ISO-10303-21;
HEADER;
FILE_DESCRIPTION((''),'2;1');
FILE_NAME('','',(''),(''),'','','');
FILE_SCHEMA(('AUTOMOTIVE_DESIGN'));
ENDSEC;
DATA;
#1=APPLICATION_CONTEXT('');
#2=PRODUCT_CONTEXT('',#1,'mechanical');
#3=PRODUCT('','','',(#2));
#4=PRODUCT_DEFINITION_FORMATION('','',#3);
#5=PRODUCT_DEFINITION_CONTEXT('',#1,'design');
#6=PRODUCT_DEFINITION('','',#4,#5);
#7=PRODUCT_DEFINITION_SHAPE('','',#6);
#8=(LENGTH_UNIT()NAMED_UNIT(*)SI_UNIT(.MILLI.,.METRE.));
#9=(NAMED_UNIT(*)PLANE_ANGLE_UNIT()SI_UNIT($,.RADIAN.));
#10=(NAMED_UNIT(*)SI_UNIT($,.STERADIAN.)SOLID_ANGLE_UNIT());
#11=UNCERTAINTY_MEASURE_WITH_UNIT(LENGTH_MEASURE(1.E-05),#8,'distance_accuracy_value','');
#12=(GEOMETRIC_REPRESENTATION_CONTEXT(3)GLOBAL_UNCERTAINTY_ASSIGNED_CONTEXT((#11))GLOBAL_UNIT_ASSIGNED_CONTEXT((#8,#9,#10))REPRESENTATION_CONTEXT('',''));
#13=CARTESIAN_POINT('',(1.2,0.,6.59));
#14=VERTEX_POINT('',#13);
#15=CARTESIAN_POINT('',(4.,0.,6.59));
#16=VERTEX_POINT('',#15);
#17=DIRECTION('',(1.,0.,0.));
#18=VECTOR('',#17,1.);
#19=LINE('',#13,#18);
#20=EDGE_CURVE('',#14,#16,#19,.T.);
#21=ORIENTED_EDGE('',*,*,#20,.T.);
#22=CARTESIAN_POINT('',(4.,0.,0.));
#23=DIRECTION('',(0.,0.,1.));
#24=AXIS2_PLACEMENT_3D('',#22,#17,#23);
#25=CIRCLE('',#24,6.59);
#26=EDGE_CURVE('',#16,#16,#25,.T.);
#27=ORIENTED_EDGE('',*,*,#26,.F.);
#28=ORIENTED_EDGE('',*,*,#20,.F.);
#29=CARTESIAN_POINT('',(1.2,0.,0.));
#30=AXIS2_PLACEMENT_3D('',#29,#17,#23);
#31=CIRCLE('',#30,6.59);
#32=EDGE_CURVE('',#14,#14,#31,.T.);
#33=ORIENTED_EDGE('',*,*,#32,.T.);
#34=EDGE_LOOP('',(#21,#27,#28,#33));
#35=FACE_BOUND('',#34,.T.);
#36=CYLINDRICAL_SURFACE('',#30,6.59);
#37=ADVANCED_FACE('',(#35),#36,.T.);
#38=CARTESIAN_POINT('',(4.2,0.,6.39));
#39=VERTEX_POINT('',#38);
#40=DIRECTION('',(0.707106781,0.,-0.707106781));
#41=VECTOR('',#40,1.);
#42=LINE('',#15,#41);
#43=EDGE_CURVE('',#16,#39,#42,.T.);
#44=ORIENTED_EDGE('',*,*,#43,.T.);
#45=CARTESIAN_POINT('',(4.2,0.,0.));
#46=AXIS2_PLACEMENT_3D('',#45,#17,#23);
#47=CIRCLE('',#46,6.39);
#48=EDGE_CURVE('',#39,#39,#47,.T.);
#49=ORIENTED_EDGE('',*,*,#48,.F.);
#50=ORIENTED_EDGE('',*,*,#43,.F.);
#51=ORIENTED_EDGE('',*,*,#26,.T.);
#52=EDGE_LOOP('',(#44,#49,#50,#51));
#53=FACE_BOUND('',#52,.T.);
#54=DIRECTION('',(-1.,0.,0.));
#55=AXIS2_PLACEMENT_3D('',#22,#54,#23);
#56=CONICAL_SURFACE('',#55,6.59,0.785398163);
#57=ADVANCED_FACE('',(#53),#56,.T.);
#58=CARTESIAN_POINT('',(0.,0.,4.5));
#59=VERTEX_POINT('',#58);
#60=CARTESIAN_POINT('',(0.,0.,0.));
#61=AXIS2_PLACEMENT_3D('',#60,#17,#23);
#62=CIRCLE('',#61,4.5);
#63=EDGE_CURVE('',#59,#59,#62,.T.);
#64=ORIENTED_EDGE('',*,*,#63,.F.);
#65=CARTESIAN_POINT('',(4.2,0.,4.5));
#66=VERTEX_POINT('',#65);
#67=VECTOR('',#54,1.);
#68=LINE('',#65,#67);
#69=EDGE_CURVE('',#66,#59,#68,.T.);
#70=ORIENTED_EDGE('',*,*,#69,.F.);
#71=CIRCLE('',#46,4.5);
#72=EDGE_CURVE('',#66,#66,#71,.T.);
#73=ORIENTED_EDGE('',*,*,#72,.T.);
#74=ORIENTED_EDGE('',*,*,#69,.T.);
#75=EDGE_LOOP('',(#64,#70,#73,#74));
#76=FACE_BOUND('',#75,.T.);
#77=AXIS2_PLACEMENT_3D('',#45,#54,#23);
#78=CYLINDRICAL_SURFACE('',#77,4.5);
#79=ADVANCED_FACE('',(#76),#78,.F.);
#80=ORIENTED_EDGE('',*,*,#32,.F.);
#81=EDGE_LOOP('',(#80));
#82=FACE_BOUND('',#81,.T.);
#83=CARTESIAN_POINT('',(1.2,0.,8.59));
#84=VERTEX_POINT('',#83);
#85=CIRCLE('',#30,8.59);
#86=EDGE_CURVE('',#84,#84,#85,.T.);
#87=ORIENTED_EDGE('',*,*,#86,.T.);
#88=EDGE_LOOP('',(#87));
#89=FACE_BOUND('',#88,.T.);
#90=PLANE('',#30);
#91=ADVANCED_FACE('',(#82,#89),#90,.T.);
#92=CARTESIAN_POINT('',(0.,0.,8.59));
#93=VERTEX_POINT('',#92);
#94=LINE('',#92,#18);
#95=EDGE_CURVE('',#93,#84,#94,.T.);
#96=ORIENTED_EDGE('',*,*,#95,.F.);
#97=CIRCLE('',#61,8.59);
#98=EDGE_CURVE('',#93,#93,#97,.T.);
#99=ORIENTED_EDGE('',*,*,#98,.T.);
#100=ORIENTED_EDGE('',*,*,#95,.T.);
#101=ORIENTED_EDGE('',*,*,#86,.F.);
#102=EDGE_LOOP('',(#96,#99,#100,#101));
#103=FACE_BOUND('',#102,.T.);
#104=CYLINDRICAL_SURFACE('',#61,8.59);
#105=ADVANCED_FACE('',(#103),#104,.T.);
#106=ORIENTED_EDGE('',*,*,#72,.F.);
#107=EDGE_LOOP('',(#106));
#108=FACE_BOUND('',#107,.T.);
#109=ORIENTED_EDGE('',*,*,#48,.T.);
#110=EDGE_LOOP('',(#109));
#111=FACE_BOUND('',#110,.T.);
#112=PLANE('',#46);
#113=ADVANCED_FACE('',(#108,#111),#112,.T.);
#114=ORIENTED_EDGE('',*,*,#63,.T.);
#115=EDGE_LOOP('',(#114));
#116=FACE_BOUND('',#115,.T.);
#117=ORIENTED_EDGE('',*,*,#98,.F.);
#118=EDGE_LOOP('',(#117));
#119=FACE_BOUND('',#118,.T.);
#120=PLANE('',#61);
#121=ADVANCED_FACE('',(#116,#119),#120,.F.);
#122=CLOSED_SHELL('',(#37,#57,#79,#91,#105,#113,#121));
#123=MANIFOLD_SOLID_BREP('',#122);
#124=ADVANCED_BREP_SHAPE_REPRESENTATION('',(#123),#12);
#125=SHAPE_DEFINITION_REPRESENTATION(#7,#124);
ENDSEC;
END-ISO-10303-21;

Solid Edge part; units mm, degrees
sketch "Sketch1" plane through (0, 0, 0) normal (0, -1, 0) x (1, 0, 0)
  line L0 (4.2, 4.5) -> (0, 4.5)
  line L1 (0, 4.5) -> (0, 8.59)
  line L2 (0, 8.59) -> (1.2, 8.59)
  line L3 (1.2, 8.59) -> (1.2, 6.59)
  line L4 (1.2, 6.59) -> (4.2, 6.59)
  line L5 (4.2, 6.59) -> (4.2, 4.5)
revolve "RevolvedProtrusion1" add sketch "Sketch1" angle 360 about axis through (0, 0, 0) along (1, 0, 0)
chamfer "Chamfer1" distance 0.2 angle 45 1 edges at (4.2, 0, -6.59)
